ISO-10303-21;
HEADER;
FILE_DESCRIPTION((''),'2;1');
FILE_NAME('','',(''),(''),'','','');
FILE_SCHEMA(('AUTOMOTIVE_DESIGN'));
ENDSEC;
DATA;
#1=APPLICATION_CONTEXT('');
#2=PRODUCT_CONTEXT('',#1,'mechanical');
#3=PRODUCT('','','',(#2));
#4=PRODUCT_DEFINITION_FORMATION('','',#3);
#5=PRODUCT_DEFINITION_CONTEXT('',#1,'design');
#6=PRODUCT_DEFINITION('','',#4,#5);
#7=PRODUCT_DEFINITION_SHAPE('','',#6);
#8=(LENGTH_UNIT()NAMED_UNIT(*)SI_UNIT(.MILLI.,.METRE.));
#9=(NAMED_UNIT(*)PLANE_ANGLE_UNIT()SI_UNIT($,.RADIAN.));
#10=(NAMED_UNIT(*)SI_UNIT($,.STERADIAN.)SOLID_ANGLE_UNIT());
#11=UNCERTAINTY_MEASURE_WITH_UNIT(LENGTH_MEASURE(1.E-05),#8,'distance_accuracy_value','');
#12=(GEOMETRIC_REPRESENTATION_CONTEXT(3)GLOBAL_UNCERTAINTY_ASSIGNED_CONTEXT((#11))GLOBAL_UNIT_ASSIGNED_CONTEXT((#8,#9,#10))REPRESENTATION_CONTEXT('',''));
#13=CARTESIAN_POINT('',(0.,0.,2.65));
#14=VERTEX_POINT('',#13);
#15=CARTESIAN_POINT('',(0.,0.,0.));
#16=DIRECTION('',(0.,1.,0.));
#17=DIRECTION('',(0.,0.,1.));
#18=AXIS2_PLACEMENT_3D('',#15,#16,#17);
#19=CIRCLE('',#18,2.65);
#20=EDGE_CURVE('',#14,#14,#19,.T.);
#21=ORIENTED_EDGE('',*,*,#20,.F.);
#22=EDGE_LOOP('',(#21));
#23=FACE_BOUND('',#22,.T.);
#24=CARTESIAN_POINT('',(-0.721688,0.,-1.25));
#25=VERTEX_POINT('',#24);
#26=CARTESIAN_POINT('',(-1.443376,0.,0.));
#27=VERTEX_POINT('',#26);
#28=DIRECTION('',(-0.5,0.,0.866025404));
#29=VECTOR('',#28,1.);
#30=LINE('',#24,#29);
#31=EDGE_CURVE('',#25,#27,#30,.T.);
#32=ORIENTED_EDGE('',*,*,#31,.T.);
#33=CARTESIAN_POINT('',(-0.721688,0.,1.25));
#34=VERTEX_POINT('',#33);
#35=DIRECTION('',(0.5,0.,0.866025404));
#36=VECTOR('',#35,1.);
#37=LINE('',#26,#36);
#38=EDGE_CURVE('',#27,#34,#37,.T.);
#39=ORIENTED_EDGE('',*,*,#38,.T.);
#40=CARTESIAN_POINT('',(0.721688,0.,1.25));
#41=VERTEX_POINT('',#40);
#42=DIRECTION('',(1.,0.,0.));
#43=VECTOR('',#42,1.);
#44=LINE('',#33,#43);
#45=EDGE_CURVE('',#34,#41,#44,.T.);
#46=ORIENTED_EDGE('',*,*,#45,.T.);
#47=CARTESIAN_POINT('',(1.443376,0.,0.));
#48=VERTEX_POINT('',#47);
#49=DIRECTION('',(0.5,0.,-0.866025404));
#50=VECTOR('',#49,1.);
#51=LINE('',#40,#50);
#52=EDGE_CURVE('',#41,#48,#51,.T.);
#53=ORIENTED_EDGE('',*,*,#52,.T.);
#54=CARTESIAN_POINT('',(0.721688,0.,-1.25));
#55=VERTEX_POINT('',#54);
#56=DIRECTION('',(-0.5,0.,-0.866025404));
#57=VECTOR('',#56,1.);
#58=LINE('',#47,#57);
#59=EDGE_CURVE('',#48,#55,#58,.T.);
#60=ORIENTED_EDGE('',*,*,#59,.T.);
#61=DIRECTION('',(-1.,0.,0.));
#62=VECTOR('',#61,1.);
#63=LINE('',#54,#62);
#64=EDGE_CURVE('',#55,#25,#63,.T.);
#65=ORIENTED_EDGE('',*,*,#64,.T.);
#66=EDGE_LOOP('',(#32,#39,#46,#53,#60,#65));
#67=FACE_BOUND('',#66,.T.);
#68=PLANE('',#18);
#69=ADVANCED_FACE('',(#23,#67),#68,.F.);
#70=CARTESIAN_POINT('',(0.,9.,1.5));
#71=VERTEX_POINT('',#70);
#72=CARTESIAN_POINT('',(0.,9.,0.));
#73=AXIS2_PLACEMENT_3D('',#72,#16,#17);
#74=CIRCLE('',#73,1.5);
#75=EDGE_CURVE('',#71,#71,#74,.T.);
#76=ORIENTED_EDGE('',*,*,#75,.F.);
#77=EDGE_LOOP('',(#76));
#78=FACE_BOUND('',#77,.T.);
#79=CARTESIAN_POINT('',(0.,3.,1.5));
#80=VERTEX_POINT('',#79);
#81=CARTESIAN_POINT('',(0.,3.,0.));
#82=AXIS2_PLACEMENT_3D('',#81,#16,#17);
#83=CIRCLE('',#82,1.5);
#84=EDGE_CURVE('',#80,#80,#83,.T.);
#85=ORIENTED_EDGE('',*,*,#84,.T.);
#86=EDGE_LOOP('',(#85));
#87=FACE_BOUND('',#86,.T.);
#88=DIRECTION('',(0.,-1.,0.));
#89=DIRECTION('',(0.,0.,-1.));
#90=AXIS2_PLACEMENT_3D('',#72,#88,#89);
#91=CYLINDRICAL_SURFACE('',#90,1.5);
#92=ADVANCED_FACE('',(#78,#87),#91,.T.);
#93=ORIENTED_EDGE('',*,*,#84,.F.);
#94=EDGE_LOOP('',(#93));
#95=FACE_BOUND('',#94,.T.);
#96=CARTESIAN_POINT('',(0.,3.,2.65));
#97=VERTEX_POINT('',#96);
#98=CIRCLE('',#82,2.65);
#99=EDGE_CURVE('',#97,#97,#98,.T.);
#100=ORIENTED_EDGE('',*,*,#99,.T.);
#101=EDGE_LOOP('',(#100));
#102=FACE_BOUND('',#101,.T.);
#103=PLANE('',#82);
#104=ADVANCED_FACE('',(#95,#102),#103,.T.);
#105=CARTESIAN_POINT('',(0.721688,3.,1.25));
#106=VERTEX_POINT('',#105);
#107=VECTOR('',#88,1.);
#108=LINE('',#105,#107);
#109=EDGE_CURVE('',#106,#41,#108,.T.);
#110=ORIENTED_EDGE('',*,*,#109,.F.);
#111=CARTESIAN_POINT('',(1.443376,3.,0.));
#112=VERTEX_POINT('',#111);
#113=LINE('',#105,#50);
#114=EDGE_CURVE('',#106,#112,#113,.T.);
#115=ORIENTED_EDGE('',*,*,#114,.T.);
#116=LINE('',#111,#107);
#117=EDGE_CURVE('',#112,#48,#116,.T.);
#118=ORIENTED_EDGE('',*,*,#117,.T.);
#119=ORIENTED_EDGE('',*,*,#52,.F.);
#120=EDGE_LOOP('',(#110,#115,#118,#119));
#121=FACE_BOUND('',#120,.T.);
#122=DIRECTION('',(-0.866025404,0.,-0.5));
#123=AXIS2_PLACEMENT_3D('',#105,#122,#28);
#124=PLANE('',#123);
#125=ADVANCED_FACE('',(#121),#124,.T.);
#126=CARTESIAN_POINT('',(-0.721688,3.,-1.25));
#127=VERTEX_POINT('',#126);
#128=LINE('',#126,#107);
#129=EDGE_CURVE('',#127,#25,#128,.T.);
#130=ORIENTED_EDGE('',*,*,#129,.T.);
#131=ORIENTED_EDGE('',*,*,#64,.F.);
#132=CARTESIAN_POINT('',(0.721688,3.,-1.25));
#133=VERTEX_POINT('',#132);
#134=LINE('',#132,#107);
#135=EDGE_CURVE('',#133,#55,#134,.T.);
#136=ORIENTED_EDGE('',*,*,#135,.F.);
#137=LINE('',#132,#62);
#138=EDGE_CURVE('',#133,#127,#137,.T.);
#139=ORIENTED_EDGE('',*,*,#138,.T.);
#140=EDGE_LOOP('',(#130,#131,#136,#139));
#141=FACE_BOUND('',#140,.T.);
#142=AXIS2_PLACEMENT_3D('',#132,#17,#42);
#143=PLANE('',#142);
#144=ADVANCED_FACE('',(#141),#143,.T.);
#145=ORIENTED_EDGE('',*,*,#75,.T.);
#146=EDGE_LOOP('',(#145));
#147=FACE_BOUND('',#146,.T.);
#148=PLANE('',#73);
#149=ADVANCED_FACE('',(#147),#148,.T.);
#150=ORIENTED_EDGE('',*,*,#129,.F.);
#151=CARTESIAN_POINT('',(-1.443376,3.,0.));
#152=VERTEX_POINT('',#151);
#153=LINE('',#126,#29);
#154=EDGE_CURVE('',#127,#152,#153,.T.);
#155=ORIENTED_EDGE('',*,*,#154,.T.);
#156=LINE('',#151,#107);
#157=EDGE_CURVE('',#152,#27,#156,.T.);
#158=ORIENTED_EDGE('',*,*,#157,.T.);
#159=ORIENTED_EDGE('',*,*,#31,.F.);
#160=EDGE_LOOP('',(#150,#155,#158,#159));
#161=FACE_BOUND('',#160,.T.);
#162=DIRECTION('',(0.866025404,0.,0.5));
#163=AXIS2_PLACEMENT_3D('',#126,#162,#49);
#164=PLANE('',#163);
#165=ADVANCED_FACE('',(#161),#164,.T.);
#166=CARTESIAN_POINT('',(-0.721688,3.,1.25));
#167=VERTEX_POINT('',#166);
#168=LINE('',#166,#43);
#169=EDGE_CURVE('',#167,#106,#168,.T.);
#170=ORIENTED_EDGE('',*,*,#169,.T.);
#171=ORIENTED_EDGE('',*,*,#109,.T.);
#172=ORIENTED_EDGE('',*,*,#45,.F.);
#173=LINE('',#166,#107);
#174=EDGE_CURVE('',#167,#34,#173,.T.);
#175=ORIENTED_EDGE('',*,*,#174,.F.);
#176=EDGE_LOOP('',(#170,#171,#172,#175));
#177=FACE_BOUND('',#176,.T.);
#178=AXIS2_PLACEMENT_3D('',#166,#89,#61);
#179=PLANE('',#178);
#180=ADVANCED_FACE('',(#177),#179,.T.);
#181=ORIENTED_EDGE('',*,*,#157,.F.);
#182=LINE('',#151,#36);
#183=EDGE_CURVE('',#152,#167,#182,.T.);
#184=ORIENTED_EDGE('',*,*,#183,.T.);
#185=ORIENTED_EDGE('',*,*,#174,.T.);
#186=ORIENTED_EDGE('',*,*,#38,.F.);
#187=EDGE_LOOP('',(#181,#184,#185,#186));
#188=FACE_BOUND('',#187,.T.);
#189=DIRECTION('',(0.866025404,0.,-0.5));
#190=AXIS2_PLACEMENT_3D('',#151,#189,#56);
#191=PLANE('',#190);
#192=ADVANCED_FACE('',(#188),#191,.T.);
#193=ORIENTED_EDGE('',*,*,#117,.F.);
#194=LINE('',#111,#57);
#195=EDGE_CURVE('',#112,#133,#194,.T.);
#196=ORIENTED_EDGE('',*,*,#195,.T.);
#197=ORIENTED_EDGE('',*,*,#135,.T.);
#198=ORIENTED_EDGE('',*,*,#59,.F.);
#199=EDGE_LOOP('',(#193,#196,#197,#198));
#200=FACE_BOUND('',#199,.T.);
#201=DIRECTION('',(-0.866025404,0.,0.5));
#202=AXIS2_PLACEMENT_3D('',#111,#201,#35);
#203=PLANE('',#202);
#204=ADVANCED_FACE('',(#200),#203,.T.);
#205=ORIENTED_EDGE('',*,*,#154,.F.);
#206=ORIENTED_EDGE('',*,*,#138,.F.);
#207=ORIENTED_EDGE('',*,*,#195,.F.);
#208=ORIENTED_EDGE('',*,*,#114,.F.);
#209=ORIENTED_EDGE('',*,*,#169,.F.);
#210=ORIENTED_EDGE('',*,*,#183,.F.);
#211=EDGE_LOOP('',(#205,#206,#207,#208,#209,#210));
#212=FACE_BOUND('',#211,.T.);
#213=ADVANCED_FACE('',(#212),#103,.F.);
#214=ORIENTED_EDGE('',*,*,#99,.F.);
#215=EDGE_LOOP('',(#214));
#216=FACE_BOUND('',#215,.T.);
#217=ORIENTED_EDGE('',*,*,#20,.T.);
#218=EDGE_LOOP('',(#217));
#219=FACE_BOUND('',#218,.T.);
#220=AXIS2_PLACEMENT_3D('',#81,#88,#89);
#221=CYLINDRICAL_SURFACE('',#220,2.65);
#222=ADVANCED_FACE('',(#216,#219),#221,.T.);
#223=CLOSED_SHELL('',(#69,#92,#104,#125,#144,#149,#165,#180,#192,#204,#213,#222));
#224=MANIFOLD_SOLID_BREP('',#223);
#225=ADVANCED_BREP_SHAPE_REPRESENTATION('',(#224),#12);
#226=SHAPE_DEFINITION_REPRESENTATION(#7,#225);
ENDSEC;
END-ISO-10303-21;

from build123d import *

# Parameters (mm, degrees)
SKETCH1_R           = 2.65
BOSS_EXTRUDE1_DEPTH = 3
SKETCH2_R           = 1.5
BOSS_EXTRUDE2_DEPTH = 6


with BuildPart() as part:
    # Sketch1 → Boss-Extrude1 (new body)
    with BuildSketch(Plane(origin=(0, 0, 0), x_dir=(1, 0, 0), z_dir=(0, 1, 0))):
        with Locations(Location((0, 0, 0), (0, 0, 270))):
            Circle(SKETCH1_R)
        Polygon((0.721687836, 1.25), (-0.721687836, 1.25), (-1.443375673, 0), (-0.721687836, -1.25), (0.721687836, -1.25), (1.443375673, 0), align=None, mode=Mode.SUBTRACT)
    extrude(amount=BOSS_EXTRUDE1_DEPTH)

    # Sketch2 → Boss-Extrude2 (add)
    with BuildSketch(Plane(origin=(0, 3, 0), x_dir=(1, 0, 0), z_dir=(0, 1, 0))):
        with Locations(Location((0, 0, 0), (0, 0, 270))):
            Circle(SKETCH2_R)
    extrude(amount=BOSS_EXTRUDE2_DEPTH)


solid = part.part
